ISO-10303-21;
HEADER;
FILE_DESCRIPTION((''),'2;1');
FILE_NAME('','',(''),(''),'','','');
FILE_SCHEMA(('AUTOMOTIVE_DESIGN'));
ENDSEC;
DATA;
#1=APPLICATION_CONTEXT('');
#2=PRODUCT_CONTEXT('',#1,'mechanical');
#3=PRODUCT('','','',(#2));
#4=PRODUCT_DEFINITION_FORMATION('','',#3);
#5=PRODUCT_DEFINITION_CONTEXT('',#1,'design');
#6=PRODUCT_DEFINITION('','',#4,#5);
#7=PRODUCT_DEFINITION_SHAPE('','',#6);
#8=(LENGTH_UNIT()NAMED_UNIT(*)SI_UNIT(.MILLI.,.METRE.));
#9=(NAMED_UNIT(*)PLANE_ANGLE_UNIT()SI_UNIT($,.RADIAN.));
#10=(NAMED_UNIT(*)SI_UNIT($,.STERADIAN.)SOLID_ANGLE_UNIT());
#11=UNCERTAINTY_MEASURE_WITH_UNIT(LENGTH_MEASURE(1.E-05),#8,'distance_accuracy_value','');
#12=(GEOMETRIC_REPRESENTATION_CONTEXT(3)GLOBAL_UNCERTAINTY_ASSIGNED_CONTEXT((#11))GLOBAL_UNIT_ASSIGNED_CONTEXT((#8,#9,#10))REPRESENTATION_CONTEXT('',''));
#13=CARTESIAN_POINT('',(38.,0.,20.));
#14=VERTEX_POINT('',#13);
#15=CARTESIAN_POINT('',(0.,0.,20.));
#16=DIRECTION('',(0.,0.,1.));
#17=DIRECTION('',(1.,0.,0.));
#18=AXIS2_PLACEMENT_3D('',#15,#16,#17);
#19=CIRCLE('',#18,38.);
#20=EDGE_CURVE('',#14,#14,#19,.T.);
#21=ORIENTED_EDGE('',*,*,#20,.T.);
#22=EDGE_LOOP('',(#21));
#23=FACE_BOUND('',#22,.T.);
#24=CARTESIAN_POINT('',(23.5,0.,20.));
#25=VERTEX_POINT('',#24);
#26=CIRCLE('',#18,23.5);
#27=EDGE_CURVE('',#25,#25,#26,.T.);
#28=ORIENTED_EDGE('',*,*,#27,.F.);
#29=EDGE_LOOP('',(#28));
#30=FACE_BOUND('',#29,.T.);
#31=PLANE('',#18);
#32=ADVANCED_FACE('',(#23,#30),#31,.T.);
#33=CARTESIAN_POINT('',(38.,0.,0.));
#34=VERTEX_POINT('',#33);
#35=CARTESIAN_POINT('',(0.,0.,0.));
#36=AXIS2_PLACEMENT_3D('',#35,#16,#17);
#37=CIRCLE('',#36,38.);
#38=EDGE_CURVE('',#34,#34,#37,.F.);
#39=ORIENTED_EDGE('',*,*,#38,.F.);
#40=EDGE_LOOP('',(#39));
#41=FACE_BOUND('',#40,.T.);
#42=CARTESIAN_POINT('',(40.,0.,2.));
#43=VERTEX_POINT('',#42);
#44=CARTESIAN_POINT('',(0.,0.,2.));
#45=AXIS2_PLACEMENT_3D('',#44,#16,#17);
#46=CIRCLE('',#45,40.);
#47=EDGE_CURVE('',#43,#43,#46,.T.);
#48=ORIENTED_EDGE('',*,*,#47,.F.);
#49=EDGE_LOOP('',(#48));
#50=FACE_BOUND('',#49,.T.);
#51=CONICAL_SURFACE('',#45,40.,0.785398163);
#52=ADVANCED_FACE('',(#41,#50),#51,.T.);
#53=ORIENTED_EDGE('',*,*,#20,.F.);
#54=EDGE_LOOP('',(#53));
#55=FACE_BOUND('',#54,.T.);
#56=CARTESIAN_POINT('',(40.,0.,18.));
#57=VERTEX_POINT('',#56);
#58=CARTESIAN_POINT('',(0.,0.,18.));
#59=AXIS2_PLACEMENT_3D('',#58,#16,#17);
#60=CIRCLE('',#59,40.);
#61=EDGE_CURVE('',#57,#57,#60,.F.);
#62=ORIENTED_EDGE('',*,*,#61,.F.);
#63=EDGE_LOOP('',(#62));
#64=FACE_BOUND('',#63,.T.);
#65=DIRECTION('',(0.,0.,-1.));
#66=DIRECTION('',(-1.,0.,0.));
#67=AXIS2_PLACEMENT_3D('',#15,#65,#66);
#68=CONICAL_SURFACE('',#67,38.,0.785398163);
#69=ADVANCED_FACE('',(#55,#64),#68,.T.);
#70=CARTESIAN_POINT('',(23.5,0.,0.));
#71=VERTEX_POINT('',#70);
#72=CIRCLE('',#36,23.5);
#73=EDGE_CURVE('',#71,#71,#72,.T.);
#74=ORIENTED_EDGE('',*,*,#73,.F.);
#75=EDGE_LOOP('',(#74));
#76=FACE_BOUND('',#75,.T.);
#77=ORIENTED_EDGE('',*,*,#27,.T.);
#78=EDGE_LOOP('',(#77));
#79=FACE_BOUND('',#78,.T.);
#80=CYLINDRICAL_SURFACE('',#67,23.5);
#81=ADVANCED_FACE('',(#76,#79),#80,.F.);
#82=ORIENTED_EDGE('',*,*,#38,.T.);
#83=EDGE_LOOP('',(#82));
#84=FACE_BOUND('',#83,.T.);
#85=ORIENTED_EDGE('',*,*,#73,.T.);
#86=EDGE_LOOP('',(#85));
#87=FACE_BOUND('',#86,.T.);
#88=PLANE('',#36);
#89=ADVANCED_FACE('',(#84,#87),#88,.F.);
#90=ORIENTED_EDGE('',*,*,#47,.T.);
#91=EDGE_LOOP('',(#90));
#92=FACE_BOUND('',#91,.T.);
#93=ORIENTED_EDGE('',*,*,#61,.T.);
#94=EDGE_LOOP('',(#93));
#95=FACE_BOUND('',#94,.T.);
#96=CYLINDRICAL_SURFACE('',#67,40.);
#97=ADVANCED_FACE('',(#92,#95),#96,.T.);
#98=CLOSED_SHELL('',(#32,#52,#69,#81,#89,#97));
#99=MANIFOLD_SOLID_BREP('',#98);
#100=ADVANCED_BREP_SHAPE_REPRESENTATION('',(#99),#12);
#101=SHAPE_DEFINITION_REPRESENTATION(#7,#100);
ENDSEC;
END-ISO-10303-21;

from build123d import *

# Parameters (mm, degrees)
SKETCH2_R           = 40
SKETCH2_R_2         = 23.5
BOSS_EXTRUDE1_DEPTH = 20
CHAMFER1_SIZE       = 2


with BuildPart() as part:
    # Sketch2 → Boss-Extrude1 (new body)
    with BuildSketch(Plane.XY):
        Circle(SKETCH2_R)
        Circle(SKETCH2_R_2, mode=Mode.SUBTRACT)
    extrude(amount=BOSS_EXTRUDE1_DEPTH)

    # Chamfer1
    chamfer1_edges = [part.edges().sort_by_distance(p)[0] for p in [
        (-40, 0, 0),
        (-40, 0, 20),
    ]]
    chamfer(chamfer1_edges, length=CHAMFER1_SIZE)


solid = part.part
